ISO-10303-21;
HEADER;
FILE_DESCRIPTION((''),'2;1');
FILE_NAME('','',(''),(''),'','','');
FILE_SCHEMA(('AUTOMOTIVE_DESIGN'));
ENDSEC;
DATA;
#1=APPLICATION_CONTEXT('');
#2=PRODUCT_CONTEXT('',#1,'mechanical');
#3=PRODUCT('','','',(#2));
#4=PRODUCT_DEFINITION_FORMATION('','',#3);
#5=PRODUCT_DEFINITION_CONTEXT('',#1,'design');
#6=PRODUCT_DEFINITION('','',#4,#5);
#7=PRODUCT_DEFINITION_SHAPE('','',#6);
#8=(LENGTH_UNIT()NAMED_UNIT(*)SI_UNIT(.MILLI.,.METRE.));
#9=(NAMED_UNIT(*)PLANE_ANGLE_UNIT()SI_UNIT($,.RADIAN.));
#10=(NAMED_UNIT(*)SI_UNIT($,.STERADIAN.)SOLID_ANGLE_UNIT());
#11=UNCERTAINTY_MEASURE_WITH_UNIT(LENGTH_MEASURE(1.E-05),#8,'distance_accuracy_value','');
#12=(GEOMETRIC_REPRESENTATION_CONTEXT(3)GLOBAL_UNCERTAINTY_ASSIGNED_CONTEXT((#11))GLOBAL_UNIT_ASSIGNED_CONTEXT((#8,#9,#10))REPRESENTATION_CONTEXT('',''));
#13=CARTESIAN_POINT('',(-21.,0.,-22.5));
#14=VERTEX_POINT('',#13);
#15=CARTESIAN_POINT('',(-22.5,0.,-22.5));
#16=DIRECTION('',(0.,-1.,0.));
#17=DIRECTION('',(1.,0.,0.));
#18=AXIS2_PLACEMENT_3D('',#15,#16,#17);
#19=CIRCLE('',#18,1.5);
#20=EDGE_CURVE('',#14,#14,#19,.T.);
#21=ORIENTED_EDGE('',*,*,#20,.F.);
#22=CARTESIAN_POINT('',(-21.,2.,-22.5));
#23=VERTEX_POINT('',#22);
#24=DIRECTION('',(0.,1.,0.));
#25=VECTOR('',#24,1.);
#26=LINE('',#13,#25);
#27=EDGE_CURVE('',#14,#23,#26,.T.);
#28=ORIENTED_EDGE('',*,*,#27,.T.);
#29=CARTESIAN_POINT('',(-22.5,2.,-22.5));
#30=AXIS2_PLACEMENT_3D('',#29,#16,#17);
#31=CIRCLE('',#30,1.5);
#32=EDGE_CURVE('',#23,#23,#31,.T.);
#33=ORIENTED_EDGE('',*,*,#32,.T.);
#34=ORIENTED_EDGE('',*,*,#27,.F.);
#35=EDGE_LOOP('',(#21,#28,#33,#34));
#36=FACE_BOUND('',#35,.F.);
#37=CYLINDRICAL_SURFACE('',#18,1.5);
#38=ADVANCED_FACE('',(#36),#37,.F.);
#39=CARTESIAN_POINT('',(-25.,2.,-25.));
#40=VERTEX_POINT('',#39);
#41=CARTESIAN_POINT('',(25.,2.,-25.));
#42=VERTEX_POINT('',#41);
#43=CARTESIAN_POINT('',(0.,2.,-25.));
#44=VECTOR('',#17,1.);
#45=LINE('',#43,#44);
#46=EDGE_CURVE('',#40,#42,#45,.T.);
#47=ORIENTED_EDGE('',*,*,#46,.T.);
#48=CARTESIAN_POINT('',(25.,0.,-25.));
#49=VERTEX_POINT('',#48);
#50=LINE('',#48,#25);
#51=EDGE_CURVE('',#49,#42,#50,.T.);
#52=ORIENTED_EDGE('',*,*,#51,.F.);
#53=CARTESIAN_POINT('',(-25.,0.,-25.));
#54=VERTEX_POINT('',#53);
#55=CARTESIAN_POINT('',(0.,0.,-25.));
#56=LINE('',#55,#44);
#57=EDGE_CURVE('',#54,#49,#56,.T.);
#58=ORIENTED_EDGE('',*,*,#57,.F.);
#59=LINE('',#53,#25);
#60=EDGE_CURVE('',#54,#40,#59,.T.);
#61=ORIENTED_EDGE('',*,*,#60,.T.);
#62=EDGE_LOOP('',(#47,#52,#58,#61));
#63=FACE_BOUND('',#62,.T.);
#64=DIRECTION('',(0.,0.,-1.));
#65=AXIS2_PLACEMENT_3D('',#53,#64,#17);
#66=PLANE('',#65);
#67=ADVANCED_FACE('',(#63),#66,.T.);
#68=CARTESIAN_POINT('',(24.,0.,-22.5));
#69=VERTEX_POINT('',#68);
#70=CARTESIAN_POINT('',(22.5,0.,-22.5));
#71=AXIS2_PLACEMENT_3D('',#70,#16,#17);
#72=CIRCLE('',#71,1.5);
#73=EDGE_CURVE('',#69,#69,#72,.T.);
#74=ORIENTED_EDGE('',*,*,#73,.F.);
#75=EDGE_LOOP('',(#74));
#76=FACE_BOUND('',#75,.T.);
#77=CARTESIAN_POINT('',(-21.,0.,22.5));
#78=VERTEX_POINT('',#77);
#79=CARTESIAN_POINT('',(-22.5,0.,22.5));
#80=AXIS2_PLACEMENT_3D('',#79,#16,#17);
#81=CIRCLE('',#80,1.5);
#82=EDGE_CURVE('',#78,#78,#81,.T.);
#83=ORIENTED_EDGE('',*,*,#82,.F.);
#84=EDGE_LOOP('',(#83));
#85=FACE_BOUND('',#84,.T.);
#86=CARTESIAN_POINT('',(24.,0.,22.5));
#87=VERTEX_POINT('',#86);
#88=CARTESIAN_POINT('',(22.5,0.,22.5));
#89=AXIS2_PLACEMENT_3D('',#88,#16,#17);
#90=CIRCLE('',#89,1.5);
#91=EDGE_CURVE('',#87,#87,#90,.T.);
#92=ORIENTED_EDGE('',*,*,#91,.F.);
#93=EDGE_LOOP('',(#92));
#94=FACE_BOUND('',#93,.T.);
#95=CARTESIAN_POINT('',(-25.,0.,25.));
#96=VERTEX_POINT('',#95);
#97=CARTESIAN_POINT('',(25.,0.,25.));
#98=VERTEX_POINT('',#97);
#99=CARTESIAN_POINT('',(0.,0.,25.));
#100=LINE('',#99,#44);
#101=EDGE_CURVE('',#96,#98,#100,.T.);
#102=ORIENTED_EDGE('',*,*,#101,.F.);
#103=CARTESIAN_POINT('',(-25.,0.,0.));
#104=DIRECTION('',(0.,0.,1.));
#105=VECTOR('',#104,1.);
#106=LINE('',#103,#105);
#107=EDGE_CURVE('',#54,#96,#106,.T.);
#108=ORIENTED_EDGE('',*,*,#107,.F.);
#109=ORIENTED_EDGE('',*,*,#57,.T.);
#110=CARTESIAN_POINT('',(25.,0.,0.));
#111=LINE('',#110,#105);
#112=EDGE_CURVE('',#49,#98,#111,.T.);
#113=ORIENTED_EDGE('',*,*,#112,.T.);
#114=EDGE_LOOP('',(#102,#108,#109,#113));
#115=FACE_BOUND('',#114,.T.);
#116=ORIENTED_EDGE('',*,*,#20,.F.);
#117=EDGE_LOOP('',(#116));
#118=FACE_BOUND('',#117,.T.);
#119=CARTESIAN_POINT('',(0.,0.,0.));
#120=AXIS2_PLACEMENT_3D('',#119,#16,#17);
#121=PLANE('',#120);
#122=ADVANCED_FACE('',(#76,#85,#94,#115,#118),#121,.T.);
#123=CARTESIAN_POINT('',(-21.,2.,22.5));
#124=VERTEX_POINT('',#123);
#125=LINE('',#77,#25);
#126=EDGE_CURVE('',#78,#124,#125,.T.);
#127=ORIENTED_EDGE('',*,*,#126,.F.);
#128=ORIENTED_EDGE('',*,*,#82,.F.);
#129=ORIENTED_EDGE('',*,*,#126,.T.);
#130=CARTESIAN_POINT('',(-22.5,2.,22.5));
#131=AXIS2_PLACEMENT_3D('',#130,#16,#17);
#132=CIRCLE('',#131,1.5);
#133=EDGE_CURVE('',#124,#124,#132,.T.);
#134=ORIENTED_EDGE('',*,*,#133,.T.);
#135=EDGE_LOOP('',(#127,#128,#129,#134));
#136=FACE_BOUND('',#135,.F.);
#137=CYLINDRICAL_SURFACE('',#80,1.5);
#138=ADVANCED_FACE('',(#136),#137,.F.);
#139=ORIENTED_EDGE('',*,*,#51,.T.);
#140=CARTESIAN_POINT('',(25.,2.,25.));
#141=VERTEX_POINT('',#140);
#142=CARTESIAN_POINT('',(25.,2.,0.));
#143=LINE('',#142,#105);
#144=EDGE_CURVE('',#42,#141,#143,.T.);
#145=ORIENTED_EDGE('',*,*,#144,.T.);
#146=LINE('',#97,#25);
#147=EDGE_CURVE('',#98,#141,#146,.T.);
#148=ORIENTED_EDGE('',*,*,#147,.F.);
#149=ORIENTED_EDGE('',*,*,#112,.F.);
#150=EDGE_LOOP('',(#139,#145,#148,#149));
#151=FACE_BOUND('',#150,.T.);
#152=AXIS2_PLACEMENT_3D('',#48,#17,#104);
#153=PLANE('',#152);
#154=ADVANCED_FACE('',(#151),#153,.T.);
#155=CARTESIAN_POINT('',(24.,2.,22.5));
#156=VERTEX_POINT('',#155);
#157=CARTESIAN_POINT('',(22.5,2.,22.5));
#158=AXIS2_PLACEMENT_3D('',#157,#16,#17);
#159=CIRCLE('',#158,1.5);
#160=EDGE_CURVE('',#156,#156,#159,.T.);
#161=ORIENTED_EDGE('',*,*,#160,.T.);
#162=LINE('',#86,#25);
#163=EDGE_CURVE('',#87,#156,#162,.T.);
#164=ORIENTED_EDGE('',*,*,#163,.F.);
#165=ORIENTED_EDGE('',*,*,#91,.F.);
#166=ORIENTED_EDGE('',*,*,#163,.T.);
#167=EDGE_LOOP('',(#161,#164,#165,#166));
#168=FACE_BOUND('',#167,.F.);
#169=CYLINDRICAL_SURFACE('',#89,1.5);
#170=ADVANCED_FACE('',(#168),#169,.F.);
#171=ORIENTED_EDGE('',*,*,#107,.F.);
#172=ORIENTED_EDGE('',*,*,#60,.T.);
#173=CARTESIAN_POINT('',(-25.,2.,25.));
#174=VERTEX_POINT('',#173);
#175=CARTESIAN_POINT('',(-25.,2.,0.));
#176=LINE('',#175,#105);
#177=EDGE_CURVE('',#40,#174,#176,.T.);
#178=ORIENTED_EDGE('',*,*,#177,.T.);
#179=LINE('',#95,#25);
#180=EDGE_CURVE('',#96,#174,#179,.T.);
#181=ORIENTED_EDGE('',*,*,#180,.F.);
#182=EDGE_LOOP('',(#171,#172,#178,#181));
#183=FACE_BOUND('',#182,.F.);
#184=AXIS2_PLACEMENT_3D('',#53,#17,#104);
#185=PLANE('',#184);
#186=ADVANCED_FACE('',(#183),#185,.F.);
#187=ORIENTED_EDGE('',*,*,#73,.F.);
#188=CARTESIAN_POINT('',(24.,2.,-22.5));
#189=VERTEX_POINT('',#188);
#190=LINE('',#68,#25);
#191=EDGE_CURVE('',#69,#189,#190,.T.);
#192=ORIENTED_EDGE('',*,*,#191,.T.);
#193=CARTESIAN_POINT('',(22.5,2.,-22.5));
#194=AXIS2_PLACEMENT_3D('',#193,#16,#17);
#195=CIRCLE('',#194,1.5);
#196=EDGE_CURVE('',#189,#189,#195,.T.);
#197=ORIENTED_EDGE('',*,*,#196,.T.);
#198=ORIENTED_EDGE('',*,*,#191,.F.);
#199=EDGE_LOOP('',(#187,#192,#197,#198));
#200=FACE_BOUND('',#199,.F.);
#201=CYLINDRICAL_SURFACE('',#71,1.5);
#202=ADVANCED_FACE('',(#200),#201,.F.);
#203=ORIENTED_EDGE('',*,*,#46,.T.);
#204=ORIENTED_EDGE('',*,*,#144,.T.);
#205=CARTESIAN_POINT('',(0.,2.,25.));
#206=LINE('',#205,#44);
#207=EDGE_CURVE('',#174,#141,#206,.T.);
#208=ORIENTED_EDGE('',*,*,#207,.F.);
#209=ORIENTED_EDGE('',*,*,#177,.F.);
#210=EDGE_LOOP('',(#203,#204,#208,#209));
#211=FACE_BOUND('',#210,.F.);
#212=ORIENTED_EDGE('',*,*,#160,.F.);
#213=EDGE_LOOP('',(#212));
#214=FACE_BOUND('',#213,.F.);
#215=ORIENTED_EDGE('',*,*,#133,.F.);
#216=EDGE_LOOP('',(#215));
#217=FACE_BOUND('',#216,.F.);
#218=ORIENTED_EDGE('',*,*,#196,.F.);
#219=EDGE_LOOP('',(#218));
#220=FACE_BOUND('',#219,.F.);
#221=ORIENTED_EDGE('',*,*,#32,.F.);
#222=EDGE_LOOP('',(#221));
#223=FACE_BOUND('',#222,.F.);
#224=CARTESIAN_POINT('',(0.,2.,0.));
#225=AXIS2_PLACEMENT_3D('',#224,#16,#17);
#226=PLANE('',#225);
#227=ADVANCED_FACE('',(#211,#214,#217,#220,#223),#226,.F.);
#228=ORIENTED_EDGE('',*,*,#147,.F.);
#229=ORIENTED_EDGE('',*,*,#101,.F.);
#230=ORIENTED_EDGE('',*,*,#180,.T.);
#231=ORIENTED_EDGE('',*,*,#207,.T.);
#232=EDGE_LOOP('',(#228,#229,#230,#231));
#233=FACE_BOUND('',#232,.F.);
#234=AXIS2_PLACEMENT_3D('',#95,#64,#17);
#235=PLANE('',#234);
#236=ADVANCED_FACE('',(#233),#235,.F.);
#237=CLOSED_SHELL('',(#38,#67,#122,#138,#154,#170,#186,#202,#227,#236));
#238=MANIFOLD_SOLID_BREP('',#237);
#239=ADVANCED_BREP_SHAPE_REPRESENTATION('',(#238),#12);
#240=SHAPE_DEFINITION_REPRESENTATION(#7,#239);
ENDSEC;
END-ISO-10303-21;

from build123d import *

# Parameters (mm, degrees)
F0_W     = 50
F0_H     = 50
F0_R     = 1.5
F1_DEPTH = 2


with BuildPart() as f1:
    # F0 (on Front) → F1 (new body)
    with BuildSketch(Plane.XZ):
        Rectangle(F0_W, F0_H)
        with Locations((-22.5, -22.5)):
            Circle(F0_R, mode=Mode.SUBTRACT)
        with Locations((22.5, -22.5)):
            Circle(F0_R, mode=Mode.SUBTRACT)
        with Locations((-22.5, 22.5)):
            Circle(F0_R, mode=Mode.SUBTRACT)
        with Locations((22.5, 22.5)):
            Circle(F0_R, mode=Mode.SUBTRACT)
    extrude(amount=-F1_DEPTH)


solid = f1.part
